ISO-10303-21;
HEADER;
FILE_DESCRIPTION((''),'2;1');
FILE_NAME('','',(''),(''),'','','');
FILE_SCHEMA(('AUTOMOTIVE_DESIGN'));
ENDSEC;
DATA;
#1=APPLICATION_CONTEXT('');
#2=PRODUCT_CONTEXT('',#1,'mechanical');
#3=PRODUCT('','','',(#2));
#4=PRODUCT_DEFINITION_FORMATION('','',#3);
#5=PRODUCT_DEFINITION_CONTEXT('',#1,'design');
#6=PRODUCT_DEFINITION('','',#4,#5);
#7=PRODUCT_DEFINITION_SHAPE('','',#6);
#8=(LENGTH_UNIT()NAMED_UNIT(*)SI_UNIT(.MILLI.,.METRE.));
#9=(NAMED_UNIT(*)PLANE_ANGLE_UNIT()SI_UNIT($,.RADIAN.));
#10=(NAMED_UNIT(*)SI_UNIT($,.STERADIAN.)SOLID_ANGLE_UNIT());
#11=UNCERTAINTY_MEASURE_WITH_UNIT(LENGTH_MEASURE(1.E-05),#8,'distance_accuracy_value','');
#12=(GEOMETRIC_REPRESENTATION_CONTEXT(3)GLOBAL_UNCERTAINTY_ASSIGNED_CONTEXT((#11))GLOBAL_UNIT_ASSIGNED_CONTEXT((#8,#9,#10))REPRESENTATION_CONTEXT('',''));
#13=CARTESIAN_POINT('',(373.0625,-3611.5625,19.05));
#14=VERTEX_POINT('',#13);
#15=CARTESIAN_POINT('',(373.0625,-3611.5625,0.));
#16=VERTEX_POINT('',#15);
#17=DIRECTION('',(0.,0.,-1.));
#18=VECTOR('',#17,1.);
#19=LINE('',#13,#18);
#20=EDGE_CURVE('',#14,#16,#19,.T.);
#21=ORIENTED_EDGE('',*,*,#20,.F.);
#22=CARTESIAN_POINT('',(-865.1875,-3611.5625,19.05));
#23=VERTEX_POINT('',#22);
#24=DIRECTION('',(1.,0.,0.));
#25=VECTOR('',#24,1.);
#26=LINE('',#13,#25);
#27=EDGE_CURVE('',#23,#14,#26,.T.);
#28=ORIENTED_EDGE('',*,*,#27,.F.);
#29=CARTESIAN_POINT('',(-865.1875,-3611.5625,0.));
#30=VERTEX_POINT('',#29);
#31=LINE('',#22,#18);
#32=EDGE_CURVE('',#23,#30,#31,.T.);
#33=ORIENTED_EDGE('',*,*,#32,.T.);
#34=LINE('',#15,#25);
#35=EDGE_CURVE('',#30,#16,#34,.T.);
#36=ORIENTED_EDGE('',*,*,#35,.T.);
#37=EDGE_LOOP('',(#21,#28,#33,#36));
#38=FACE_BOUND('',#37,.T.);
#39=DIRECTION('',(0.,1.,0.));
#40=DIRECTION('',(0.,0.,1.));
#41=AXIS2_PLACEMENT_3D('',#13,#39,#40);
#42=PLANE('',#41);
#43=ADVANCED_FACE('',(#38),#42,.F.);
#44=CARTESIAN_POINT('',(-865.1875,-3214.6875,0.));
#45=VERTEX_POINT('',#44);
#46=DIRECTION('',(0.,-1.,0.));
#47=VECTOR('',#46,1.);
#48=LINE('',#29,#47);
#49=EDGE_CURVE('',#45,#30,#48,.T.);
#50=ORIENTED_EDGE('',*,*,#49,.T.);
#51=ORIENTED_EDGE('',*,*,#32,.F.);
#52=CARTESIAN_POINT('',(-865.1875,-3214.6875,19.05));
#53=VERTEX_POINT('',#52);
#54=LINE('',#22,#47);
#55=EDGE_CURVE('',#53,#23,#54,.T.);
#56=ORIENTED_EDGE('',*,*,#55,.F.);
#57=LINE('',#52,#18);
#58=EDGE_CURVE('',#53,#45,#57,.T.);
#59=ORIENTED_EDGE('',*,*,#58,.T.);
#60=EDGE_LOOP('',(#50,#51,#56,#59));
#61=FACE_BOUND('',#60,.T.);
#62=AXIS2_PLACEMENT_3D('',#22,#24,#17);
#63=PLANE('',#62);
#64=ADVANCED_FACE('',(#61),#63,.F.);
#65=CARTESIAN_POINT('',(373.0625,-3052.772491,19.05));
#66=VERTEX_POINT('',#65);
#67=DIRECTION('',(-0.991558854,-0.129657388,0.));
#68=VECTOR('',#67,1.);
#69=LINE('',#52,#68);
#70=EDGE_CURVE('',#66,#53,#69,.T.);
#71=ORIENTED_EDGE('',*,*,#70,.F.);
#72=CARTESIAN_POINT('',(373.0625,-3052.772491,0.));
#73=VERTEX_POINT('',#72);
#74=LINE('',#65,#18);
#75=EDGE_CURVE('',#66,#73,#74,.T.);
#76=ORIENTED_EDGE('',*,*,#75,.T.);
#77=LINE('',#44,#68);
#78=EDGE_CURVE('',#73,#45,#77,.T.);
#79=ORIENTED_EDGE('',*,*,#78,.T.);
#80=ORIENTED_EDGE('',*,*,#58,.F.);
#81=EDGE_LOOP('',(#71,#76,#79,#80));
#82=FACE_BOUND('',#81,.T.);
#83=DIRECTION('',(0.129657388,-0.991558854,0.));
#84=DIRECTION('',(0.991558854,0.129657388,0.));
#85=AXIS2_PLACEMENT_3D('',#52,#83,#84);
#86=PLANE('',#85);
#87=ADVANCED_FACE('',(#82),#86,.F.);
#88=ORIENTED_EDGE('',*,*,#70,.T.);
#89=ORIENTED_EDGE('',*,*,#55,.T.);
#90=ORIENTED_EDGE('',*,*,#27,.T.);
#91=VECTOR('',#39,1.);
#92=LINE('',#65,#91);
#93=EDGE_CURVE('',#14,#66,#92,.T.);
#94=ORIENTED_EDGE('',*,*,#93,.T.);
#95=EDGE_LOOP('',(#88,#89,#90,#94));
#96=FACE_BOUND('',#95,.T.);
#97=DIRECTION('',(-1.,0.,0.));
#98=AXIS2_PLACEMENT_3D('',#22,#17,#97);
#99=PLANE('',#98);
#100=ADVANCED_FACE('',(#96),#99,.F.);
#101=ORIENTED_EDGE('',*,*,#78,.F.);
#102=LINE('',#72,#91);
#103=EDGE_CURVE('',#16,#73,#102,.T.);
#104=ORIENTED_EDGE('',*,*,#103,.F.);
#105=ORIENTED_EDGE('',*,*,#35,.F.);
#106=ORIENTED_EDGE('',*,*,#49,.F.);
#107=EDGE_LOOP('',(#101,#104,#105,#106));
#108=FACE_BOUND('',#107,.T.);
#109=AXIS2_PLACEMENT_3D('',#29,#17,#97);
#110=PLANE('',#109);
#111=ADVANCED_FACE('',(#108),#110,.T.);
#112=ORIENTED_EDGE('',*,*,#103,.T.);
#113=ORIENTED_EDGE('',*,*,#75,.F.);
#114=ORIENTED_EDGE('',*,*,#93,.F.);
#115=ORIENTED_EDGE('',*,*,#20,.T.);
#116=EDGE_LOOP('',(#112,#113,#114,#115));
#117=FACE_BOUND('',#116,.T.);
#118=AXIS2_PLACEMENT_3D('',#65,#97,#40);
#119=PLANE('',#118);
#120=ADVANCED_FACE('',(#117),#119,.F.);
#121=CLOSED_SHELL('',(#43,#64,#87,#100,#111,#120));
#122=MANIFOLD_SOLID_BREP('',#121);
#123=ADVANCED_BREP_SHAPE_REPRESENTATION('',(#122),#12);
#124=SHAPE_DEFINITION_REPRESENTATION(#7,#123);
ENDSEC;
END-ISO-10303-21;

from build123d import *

# Parameters (mm, degrees)
EXTRUDE1_DEPTH = 19.05


with BuildPart() as part:
    # Sketch1 → Extrude1 (new body)
    with BuildSketch(Plane.XY):
        Polygon((-865.1875, -3611.5625), (-865.1875, -3214.6875), (373.0625, -3052.772490816), (373.0625, -3611.5625), align=None)
    extrude(amount=EXTRUDE1_DEPTH)


solid = part.part
